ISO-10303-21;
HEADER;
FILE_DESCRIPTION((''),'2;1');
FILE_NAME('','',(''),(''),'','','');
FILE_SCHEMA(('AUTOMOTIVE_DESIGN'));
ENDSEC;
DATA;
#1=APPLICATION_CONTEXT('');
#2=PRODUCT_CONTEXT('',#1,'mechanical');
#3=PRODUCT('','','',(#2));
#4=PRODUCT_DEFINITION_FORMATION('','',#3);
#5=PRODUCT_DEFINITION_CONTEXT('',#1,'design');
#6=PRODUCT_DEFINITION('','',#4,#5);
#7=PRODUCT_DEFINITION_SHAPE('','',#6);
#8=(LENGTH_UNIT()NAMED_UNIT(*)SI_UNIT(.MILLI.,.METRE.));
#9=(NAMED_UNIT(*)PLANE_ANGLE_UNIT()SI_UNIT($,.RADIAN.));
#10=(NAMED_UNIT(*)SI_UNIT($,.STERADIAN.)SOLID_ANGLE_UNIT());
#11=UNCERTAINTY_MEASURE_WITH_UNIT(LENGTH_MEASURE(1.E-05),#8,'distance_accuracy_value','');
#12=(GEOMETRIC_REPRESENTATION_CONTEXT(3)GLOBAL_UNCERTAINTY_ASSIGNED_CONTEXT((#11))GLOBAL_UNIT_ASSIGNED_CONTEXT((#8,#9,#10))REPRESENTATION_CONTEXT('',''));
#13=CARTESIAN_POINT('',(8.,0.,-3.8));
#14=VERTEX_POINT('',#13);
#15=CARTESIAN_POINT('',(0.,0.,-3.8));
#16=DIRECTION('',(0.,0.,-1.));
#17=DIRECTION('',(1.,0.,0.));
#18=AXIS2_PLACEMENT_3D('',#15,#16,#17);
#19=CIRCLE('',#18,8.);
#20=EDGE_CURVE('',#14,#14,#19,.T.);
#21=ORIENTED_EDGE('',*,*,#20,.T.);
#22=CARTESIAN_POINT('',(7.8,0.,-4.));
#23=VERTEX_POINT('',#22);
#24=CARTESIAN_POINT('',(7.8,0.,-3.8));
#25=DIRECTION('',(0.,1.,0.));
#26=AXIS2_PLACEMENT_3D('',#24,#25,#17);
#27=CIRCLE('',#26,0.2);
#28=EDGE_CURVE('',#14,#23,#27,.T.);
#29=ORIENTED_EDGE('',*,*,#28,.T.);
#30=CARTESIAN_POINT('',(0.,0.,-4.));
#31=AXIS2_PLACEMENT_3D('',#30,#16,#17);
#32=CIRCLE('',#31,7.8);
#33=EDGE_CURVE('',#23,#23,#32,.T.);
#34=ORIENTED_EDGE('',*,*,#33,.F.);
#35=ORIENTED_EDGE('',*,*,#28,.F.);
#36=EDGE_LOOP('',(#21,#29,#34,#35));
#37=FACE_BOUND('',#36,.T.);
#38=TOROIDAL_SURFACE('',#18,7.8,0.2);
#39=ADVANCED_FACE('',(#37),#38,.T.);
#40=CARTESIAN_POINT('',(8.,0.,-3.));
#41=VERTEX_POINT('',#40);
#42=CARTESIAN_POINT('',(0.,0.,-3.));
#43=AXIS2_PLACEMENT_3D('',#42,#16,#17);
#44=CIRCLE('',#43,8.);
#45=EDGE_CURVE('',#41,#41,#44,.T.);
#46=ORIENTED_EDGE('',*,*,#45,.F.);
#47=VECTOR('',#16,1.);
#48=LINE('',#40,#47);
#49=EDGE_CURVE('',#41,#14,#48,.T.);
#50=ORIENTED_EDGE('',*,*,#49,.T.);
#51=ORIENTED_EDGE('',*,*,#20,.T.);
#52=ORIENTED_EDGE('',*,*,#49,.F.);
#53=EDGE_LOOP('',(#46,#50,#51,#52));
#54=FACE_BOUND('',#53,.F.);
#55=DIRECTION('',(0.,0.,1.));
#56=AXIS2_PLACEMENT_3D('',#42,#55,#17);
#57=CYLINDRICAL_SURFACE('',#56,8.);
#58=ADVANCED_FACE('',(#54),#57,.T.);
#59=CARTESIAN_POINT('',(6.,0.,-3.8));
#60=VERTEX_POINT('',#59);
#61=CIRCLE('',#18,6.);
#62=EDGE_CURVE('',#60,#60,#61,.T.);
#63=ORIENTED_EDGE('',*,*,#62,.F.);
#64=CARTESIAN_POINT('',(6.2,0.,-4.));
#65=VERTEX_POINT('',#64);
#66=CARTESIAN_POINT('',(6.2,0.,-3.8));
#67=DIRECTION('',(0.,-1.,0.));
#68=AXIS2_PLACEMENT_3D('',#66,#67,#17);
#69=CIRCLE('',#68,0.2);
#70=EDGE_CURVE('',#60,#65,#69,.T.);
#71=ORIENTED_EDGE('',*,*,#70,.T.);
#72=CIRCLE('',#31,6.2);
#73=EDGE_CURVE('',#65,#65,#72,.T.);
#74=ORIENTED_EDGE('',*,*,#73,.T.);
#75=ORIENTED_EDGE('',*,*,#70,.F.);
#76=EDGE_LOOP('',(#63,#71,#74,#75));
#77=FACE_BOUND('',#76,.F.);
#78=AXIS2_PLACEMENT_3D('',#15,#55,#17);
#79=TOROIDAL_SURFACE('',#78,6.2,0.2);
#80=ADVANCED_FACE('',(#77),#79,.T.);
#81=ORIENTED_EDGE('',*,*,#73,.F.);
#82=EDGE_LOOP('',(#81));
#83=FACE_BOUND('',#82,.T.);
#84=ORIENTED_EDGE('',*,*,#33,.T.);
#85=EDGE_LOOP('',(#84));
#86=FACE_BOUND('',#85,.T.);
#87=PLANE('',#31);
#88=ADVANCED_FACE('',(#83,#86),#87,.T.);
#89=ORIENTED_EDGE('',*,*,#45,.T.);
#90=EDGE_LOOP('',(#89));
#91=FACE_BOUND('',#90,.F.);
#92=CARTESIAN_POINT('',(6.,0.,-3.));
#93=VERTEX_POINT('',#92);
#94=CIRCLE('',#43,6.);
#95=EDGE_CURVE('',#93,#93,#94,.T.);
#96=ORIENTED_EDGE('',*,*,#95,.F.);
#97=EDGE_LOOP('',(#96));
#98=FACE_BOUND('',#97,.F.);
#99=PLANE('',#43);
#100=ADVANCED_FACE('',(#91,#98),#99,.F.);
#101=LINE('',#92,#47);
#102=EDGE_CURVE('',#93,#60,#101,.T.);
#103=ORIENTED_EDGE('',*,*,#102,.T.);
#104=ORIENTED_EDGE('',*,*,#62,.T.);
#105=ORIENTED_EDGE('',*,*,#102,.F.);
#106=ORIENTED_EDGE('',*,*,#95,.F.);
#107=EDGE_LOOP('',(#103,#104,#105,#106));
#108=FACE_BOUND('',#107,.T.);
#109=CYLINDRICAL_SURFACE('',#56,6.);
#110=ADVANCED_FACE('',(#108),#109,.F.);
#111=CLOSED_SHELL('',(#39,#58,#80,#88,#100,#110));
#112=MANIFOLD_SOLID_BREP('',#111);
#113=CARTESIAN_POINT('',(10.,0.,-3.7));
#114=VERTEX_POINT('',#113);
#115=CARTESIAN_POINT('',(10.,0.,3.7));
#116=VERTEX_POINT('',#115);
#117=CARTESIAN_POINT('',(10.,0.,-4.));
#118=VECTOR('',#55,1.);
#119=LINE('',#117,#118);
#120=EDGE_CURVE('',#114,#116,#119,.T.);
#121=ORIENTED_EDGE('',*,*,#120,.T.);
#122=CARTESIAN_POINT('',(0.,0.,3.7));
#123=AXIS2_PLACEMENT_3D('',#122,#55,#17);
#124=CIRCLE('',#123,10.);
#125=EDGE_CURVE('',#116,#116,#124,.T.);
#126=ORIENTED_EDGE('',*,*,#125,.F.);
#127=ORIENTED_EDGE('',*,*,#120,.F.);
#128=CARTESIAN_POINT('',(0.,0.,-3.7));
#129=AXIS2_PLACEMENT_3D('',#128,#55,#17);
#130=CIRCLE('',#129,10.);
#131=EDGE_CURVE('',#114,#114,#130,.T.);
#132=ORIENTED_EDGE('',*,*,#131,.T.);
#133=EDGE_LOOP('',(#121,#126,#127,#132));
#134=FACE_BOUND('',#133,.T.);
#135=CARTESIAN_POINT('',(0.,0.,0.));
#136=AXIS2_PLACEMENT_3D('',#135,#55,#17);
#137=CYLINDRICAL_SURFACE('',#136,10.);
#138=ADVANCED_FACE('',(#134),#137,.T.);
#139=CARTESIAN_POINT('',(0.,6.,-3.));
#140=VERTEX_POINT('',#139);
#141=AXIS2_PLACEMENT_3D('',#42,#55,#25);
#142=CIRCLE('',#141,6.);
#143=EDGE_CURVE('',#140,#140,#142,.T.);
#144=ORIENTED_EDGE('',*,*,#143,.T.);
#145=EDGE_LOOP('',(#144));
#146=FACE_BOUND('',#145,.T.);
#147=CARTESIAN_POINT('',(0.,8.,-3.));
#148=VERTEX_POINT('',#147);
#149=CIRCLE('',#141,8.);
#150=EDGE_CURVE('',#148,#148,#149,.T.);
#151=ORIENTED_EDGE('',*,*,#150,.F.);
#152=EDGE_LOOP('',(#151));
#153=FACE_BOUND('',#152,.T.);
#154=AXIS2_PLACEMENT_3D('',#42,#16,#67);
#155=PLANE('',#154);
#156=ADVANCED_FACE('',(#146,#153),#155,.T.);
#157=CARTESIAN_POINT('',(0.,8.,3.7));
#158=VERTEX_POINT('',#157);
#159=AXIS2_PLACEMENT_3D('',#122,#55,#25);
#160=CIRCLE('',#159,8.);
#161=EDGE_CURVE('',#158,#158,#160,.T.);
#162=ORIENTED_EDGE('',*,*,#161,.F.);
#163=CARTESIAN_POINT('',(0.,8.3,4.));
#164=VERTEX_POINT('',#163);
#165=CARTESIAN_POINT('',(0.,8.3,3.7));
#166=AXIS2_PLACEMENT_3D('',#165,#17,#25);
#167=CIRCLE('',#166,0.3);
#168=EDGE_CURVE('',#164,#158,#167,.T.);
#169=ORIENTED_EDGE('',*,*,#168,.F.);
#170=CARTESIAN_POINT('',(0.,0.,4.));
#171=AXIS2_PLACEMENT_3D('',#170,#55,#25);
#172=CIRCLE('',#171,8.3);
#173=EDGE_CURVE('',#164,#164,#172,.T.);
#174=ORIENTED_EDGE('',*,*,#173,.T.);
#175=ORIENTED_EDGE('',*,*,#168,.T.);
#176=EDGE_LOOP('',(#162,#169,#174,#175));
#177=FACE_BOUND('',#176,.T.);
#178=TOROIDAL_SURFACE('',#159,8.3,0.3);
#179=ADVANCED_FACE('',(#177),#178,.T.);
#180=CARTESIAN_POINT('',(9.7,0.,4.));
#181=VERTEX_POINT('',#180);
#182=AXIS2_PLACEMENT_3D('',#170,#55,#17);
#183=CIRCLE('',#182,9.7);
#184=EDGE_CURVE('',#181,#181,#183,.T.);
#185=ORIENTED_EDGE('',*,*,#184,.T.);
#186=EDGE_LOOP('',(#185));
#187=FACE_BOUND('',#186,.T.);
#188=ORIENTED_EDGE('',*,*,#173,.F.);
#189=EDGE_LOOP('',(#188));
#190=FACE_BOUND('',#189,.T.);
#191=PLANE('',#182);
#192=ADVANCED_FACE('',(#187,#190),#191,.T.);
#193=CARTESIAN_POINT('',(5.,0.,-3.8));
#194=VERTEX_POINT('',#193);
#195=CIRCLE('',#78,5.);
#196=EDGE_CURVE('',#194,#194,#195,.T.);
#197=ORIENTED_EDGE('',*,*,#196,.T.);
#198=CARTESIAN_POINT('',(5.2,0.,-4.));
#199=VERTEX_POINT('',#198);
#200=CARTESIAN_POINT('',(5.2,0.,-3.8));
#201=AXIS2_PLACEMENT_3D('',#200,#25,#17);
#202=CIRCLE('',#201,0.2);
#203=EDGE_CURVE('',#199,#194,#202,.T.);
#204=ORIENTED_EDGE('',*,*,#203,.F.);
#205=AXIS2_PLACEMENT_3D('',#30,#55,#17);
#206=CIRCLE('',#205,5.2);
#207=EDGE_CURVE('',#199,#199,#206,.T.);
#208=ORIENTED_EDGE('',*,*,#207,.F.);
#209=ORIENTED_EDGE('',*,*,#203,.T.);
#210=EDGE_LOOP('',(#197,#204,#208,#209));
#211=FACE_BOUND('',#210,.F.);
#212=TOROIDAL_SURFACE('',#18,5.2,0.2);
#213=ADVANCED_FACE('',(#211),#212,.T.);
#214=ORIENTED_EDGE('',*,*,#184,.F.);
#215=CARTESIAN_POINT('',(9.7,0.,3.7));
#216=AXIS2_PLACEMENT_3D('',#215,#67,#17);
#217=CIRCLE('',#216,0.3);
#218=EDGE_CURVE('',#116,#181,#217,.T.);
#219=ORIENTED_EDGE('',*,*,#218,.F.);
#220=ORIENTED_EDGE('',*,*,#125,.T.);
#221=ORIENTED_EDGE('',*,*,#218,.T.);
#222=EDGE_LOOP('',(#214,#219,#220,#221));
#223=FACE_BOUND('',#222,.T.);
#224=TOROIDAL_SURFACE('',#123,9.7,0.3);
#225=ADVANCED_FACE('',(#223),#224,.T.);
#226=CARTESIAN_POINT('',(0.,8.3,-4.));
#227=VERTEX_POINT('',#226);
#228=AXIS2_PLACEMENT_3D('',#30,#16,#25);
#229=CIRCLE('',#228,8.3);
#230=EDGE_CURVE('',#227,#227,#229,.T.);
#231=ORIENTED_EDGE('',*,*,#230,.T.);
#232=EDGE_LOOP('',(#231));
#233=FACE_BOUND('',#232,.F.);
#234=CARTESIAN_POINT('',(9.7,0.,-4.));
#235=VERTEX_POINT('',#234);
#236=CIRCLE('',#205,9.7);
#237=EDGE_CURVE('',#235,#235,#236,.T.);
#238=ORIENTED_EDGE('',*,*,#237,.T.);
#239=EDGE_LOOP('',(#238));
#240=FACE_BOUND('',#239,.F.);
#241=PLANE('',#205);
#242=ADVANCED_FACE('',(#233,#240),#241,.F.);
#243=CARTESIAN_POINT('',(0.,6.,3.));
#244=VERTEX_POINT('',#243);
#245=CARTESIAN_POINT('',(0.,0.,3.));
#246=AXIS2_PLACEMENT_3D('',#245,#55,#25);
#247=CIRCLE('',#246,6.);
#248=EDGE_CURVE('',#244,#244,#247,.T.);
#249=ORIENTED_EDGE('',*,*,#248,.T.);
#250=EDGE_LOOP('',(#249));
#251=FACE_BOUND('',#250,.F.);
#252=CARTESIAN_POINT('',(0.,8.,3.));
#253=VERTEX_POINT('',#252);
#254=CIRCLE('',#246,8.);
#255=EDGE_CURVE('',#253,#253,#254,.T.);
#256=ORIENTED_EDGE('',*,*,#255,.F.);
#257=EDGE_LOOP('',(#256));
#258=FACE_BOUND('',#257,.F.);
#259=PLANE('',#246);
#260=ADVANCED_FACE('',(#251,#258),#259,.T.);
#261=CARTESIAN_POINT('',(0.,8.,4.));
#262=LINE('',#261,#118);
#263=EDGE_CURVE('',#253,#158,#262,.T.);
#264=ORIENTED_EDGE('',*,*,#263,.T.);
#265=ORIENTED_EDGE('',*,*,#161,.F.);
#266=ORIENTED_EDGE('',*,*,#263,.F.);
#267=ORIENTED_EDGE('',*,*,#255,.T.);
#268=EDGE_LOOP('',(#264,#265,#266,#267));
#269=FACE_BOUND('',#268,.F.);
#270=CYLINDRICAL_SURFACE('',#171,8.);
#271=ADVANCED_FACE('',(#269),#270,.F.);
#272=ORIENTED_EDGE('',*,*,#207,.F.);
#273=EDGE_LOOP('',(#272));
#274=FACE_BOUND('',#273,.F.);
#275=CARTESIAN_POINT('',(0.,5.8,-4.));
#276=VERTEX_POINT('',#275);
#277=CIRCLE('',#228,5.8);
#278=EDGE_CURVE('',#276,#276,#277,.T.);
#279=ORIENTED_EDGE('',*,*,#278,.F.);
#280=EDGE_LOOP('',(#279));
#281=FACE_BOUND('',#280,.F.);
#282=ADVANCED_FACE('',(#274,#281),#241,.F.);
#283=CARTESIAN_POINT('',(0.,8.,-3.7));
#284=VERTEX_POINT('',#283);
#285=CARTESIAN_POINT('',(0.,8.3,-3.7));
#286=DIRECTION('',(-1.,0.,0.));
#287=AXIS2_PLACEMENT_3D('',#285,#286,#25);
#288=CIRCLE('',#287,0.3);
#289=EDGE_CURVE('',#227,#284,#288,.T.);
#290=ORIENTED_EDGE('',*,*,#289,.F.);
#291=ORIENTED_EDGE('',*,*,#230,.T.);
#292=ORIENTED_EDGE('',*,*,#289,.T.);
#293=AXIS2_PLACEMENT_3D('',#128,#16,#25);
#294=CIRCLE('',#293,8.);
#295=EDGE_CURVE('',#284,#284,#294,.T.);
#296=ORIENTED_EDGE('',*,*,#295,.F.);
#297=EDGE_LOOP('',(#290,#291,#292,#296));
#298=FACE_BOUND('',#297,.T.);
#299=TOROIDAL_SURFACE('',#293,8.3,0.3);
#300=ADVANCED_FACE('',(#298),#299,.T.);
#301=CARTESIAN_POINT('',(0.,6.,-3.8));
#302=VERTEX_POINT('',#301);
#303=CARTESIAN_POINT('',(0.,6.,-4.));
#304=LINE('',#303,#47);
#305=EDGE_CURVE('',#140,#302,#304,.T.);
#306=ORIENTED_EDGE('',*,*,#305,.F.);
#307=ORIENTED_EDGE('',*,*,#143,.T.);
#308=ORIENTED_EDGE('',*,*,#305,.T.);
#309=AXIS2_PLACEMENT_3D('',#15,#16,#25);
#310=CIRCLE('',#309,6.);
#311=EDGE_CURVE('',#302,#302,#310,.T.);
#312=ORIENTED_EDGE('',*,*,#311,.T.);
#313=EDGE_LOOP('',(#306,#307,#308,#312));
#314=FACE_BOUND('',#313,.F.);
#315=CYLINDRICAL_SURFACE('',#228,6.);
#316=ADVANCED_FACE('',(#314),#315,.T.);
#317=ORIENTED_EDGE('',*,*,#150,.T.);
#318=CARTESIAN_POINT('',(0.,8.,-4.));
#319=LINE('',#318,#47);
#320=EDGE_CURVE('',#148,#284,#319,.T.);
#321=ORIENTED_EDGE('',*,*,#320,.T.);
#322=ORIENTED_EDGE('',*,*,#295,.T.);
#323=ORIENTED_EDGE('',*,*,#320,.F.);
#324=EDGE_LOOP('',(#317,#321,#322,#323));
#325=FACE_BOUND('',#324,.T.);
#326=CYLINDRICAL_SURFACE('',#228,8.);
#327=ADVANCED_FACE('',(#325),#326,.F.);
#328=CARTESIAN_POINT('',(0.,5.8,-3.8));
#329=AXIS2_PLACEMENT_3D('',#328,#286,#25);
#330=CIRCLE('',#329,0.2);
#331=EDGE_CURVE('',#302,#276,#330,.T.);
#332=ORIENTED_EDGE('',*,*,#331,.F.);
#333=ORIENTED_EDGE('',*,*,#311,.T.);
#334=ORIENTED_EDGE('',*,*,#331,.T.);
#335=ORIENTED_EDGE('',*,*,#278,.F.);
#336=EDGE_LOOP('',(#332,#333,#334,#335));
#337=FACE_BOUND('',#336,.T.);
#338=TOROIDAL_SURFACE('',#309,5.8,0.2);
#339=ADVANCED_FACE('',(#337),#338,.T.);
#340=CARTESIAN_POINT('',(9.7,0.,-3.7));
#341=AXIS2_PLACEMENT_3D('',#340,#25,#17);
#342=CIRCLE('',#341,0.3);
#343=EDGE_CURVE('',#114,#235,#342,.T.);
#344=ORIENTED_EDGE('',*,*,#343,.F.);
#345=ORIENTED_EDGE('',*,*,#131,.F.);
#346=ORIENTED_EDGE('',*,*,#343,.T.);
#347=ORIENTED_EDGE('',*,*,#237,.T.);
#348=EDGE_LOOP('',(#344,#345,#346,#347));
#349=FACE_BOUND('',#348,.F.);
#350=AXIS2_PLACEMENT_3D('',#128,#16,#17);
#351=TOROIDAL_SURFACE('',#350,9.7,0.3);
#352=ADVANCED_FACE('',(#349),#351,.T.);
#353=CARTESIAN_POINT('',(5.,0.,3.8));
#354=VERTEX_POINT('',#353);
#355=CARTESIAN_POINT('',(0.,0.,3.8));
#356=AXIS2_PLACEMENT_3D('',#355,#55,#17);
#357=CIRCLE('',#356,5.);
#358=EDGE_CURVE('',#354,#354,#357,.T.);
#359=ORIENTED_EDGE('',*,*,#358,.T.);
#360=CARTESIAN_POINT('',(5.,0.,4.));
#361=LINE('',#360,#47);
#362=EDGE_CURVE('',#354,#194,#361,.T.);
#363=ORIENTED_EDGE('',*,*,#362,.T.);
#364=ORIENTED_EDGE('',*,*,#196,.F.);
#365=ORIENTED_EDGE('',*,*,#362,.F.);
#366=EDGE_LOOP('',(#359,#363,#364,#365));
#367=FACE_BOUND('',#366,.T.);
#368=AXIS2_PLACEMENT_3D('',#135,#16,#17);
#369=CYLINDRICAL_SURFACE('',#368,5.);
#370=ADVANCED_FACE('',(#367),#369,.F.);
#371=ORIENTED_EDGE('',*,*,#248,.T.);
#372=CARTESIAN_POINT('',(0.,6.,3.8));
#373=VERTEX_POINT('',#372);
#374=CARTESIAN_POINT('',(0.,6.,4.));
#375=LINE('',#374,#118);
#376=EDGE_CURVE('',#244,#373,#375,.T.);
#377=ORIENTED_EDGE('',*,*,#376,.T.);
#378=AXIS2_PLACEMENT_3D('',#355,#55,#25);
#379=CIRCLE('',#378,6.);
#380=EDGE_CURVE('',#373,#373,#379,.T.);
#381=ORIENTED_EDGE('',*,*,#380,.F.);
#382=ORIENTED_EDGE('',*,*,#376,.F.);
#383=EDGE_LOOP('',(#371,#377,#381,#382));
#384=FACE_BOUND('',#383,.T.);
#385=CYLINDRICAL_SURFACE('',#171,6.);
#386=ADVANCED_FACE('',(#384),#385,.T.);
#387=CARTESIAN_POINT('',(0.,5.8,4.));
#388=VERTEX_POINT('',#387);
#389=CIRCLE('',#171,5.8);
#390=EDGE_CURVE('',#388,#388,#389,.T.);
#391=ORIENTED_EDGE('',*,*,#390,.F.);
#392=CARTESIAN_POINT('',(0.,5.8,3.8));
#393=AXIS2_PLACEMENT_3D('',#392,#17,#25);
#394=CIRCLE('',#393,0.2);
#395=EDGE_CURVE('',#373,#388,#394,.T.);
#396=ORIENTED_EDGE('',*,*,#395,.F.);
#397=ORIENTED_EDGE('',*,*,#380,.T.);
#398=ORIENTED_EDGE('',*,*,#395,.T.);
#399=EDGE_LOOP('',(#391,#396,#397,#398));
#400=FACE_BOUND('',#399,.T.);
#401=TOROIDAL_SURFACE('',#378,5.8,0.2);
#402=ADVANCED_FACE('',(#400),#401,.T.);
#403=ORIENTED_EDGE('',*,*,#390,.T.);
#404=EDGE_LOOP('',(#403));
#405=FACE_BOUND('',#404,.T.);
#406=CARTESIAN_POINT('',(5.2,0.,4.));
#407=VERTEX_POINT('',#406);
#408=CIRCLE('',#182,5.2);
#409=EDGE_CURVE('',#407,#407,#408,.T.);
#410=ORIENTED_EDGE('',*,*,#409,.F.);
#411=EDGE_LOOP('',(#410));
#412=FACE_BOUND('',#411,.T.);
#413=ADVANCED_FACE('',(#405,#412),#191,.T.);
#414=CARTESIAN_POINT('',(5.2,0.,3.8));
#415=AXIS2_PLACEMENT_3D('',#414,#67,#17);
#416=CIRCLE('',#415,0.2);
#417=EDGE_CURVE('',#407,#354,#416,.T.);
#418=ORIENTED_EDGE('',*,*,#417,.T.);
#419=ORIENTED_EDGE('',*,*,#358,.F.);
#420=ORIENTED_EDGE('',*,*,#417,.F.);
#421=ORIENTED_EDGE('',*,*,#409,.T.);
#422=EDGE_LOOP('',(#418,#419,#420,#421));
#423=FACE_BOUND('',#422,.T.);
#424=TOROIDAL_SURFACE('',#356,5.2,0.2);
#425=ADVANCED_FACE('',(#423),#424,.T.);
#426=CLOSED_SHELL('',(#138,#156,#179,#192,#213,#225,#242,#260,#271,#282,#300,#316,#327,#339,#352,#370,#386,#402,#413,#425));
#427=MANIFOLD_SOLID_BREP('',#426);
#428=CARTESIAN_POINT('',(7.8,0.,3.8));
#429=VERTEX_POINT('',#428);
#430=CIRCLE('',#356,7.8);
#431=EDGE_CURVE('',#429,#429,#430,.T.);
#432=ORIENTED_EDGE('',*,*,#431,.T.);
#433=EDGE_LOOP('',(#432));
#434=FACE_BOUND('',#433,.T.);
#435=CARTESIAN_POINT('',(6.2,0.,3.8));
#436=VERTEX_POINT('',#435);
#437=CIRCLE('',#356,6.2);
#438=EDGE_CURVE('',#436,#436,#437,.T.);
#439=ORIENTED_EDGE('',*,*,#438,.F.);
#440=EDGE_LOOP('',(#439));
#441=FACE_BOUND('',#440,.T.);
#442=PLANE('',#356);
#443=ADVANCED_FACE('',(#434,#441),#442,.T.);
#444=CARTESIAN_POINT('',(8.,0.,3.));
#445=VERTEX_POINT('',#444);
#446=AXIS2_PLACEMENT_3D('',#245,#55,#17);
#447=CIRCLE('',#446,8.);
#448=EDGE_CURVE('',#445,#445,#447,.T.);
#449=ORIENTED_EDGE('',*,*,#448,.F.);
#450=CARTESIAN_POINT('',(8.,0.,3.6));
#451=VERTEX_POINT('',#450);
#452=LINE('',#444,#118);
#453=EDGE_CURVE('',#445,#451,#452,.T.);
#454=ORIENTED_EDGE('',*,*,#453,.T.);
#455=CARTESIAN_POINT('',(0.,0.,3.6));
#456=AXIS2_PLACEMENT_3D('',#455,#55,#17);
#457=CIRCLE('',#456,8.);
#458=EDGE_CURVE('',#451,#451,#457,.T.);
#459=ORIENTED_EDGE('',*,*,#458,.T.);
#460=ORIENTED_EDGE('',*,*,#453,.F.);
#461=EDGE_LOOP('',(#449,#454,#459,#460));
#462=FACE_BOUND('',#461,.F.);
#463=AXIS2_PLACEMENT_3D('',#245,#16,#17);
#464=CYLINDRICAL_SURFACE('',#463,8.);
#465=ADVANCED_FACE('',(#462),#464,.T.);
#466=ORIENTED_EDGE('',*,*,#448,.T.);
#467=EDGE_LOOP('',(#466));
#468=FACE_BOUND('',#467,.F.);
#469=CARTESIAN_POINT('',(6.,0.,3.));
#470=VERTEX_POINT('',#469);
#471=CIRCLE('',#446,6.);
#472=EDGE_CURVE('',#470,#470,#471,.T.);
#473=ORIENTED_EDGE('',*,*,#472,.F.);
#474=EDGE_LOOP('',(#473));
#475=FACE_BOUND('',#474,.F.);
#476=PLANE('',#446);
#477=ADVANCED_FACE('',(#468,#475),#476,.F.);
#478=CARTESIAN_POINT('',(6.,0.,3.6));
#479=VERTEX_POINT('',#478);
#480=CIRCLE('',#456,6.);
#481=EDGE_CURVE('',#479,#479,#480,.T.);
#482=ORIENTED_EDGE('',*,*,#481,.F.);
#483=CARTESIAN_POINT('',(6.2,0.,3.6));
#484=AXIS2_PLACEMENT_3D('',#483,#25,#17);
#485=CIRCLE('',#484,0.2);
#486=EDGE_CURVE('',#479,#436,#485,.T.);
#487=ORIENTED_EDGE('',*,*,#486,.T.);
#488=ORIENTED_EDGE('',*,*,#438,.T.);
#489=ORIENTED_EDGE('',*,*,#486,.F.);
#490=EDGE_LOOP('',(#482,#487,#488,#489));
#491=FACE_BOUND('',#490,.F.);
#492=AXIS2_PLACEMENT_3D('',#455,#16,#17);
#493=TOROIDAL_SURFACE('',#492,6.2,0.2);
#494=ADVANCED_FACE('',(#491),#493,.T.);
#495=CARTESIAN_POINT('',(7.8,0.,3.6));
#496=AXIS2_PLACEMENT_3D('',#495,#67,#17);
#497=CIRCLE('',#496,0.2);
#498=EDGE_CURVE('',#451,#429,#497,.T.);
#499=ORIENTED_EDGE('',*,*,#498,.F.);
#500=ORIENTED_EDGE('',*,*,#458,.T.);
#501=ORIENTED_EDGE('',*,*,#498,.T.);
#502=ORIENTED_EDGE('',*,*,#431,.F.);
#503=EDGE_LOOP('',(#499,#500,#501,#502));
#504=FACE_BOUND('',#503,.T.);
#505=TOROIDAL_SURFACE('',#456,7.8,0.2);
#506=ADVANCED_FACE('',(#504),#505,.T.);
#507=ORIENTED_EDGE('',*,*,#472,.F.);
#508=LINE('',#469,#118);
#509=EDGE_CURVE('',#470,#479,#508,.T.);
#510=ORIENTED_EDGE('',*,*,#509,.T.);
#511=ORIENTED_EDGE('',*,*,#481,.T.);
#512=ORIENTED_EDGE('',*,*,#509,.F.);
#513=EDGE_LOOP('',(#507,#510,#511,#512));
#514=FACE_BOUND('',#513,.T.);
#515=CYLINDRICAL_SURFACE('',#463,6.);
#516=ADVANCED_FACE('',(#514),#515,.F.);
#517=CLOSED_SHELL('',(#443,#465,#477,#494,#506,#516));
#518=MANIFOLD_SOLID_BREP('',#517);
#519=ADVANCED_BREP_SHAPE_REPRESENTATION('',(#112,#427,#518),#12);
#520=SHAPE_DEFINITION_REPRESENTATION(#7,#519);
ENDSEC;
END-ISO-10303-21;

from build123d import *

# Parameters (mm, degrees)
SKETCH_R      = 10
SKETCH_R_2    = 5
PAD_DEPTH     = 4
SKETCH001_W   = 2
SKETCH001_H   = 2
FILLET_R      = 0.3
FILLET001_R   = 0.2
SKETCH002_R   = 8
SKETCH002_R_2 = 6
PAD001_DEPTH  = 0.8
FILLET002_R   = 0.2
SKETCH003_R   = 8
SKETCH003_R_2 = 6
PAD002_DEPTH  = 1
FILLET003_R   = 0.2


with BuildPart() as body:
    # Sketch → Pad (new body, symmetric)
    with BuildSketch(Plane.XY):
        Circle(SKETCH_R)
        Circle(SKETCH_R_2, mode=Mode.SUBTRACT)
    extrude(amount=PAD_DEPTH, both=True)

    # Sketch001 → Groove (revolve, cut)
    with BuildSketch(Plane.YZ):
        with Locations((7, 4)):
            Rectangle(SKETCH001_W, SKETCH001_H)
    groove = revolve(axis=Axis((0, 0, 0), (0, 0, 1)), mode=Mode.SUBTRACT)

    # Mirrored: Groove across XY
    add(groove.mirror(Plane.XY), mode=Mode.SUBTRACT)

    # Fillet
    fillet_edges = [body.edges().sort_by_distance(p)[0] for p in [
        (-10, 0, 4),
        (0, -8, 4),
        (-10, 0, -4),
        (0, -8, -4),
    ]]
    fillet(fillet_edges, radius=FILLET_R)

    # Fillet001
    fillet001_edges = [body.edges().sort_by_distance(p)[0] for p in [
        (0, -6, 4),
        (-5, 0, 4),
        (0, -6, -4),
        (-5, 0, -4),
    ]]
    fillet(fillet001_edges, radius=FILLET001_R)


with BuildPart() as body001:
    # Sketch002 → Pad001 (new body)
    with BuildSketch(Plane.XY.offset(3)):
        Circle(SKETCH002_R)
        Circle(SKETCH002_R_2, mode=Mode.SUBTRACT)
    extrude(amount=PAD001_DEPTH)

    # Fillet002
    fillet002_edges = [body001.edges().sort_by_distance(p)[0] for p in [
        (-8, 0, 3.8),
        (-6, 0, 3.8),
    ]]
    fillet(fillet002_edges, radius=FILLET002_R)


with BuildPart() as body002:
    # Sketch003 → Pad002 (new body)
    with BuildSketch(Plane(origin=(0, 0, -3), x_dir=(1, 0, 0), z_dir=(0, 0, -1))):
        Circle(SKETCH003_R)
        Circle(SKETCH003_R_2, mode=Mode.SUBTRACT)
    extrude(amount=PAD002_DEPTH)

    # Fillet003
    fillet003_edges = [body002.edges().sort_by_distance(p)[0] for p in [
        (-6, 0, -4),
        (-8, 0, -4),
    ]]
    fillet(fillet003_edges, radius=FILLET003_R)


solid = Compound([body.part, body001.part, body002.part])
